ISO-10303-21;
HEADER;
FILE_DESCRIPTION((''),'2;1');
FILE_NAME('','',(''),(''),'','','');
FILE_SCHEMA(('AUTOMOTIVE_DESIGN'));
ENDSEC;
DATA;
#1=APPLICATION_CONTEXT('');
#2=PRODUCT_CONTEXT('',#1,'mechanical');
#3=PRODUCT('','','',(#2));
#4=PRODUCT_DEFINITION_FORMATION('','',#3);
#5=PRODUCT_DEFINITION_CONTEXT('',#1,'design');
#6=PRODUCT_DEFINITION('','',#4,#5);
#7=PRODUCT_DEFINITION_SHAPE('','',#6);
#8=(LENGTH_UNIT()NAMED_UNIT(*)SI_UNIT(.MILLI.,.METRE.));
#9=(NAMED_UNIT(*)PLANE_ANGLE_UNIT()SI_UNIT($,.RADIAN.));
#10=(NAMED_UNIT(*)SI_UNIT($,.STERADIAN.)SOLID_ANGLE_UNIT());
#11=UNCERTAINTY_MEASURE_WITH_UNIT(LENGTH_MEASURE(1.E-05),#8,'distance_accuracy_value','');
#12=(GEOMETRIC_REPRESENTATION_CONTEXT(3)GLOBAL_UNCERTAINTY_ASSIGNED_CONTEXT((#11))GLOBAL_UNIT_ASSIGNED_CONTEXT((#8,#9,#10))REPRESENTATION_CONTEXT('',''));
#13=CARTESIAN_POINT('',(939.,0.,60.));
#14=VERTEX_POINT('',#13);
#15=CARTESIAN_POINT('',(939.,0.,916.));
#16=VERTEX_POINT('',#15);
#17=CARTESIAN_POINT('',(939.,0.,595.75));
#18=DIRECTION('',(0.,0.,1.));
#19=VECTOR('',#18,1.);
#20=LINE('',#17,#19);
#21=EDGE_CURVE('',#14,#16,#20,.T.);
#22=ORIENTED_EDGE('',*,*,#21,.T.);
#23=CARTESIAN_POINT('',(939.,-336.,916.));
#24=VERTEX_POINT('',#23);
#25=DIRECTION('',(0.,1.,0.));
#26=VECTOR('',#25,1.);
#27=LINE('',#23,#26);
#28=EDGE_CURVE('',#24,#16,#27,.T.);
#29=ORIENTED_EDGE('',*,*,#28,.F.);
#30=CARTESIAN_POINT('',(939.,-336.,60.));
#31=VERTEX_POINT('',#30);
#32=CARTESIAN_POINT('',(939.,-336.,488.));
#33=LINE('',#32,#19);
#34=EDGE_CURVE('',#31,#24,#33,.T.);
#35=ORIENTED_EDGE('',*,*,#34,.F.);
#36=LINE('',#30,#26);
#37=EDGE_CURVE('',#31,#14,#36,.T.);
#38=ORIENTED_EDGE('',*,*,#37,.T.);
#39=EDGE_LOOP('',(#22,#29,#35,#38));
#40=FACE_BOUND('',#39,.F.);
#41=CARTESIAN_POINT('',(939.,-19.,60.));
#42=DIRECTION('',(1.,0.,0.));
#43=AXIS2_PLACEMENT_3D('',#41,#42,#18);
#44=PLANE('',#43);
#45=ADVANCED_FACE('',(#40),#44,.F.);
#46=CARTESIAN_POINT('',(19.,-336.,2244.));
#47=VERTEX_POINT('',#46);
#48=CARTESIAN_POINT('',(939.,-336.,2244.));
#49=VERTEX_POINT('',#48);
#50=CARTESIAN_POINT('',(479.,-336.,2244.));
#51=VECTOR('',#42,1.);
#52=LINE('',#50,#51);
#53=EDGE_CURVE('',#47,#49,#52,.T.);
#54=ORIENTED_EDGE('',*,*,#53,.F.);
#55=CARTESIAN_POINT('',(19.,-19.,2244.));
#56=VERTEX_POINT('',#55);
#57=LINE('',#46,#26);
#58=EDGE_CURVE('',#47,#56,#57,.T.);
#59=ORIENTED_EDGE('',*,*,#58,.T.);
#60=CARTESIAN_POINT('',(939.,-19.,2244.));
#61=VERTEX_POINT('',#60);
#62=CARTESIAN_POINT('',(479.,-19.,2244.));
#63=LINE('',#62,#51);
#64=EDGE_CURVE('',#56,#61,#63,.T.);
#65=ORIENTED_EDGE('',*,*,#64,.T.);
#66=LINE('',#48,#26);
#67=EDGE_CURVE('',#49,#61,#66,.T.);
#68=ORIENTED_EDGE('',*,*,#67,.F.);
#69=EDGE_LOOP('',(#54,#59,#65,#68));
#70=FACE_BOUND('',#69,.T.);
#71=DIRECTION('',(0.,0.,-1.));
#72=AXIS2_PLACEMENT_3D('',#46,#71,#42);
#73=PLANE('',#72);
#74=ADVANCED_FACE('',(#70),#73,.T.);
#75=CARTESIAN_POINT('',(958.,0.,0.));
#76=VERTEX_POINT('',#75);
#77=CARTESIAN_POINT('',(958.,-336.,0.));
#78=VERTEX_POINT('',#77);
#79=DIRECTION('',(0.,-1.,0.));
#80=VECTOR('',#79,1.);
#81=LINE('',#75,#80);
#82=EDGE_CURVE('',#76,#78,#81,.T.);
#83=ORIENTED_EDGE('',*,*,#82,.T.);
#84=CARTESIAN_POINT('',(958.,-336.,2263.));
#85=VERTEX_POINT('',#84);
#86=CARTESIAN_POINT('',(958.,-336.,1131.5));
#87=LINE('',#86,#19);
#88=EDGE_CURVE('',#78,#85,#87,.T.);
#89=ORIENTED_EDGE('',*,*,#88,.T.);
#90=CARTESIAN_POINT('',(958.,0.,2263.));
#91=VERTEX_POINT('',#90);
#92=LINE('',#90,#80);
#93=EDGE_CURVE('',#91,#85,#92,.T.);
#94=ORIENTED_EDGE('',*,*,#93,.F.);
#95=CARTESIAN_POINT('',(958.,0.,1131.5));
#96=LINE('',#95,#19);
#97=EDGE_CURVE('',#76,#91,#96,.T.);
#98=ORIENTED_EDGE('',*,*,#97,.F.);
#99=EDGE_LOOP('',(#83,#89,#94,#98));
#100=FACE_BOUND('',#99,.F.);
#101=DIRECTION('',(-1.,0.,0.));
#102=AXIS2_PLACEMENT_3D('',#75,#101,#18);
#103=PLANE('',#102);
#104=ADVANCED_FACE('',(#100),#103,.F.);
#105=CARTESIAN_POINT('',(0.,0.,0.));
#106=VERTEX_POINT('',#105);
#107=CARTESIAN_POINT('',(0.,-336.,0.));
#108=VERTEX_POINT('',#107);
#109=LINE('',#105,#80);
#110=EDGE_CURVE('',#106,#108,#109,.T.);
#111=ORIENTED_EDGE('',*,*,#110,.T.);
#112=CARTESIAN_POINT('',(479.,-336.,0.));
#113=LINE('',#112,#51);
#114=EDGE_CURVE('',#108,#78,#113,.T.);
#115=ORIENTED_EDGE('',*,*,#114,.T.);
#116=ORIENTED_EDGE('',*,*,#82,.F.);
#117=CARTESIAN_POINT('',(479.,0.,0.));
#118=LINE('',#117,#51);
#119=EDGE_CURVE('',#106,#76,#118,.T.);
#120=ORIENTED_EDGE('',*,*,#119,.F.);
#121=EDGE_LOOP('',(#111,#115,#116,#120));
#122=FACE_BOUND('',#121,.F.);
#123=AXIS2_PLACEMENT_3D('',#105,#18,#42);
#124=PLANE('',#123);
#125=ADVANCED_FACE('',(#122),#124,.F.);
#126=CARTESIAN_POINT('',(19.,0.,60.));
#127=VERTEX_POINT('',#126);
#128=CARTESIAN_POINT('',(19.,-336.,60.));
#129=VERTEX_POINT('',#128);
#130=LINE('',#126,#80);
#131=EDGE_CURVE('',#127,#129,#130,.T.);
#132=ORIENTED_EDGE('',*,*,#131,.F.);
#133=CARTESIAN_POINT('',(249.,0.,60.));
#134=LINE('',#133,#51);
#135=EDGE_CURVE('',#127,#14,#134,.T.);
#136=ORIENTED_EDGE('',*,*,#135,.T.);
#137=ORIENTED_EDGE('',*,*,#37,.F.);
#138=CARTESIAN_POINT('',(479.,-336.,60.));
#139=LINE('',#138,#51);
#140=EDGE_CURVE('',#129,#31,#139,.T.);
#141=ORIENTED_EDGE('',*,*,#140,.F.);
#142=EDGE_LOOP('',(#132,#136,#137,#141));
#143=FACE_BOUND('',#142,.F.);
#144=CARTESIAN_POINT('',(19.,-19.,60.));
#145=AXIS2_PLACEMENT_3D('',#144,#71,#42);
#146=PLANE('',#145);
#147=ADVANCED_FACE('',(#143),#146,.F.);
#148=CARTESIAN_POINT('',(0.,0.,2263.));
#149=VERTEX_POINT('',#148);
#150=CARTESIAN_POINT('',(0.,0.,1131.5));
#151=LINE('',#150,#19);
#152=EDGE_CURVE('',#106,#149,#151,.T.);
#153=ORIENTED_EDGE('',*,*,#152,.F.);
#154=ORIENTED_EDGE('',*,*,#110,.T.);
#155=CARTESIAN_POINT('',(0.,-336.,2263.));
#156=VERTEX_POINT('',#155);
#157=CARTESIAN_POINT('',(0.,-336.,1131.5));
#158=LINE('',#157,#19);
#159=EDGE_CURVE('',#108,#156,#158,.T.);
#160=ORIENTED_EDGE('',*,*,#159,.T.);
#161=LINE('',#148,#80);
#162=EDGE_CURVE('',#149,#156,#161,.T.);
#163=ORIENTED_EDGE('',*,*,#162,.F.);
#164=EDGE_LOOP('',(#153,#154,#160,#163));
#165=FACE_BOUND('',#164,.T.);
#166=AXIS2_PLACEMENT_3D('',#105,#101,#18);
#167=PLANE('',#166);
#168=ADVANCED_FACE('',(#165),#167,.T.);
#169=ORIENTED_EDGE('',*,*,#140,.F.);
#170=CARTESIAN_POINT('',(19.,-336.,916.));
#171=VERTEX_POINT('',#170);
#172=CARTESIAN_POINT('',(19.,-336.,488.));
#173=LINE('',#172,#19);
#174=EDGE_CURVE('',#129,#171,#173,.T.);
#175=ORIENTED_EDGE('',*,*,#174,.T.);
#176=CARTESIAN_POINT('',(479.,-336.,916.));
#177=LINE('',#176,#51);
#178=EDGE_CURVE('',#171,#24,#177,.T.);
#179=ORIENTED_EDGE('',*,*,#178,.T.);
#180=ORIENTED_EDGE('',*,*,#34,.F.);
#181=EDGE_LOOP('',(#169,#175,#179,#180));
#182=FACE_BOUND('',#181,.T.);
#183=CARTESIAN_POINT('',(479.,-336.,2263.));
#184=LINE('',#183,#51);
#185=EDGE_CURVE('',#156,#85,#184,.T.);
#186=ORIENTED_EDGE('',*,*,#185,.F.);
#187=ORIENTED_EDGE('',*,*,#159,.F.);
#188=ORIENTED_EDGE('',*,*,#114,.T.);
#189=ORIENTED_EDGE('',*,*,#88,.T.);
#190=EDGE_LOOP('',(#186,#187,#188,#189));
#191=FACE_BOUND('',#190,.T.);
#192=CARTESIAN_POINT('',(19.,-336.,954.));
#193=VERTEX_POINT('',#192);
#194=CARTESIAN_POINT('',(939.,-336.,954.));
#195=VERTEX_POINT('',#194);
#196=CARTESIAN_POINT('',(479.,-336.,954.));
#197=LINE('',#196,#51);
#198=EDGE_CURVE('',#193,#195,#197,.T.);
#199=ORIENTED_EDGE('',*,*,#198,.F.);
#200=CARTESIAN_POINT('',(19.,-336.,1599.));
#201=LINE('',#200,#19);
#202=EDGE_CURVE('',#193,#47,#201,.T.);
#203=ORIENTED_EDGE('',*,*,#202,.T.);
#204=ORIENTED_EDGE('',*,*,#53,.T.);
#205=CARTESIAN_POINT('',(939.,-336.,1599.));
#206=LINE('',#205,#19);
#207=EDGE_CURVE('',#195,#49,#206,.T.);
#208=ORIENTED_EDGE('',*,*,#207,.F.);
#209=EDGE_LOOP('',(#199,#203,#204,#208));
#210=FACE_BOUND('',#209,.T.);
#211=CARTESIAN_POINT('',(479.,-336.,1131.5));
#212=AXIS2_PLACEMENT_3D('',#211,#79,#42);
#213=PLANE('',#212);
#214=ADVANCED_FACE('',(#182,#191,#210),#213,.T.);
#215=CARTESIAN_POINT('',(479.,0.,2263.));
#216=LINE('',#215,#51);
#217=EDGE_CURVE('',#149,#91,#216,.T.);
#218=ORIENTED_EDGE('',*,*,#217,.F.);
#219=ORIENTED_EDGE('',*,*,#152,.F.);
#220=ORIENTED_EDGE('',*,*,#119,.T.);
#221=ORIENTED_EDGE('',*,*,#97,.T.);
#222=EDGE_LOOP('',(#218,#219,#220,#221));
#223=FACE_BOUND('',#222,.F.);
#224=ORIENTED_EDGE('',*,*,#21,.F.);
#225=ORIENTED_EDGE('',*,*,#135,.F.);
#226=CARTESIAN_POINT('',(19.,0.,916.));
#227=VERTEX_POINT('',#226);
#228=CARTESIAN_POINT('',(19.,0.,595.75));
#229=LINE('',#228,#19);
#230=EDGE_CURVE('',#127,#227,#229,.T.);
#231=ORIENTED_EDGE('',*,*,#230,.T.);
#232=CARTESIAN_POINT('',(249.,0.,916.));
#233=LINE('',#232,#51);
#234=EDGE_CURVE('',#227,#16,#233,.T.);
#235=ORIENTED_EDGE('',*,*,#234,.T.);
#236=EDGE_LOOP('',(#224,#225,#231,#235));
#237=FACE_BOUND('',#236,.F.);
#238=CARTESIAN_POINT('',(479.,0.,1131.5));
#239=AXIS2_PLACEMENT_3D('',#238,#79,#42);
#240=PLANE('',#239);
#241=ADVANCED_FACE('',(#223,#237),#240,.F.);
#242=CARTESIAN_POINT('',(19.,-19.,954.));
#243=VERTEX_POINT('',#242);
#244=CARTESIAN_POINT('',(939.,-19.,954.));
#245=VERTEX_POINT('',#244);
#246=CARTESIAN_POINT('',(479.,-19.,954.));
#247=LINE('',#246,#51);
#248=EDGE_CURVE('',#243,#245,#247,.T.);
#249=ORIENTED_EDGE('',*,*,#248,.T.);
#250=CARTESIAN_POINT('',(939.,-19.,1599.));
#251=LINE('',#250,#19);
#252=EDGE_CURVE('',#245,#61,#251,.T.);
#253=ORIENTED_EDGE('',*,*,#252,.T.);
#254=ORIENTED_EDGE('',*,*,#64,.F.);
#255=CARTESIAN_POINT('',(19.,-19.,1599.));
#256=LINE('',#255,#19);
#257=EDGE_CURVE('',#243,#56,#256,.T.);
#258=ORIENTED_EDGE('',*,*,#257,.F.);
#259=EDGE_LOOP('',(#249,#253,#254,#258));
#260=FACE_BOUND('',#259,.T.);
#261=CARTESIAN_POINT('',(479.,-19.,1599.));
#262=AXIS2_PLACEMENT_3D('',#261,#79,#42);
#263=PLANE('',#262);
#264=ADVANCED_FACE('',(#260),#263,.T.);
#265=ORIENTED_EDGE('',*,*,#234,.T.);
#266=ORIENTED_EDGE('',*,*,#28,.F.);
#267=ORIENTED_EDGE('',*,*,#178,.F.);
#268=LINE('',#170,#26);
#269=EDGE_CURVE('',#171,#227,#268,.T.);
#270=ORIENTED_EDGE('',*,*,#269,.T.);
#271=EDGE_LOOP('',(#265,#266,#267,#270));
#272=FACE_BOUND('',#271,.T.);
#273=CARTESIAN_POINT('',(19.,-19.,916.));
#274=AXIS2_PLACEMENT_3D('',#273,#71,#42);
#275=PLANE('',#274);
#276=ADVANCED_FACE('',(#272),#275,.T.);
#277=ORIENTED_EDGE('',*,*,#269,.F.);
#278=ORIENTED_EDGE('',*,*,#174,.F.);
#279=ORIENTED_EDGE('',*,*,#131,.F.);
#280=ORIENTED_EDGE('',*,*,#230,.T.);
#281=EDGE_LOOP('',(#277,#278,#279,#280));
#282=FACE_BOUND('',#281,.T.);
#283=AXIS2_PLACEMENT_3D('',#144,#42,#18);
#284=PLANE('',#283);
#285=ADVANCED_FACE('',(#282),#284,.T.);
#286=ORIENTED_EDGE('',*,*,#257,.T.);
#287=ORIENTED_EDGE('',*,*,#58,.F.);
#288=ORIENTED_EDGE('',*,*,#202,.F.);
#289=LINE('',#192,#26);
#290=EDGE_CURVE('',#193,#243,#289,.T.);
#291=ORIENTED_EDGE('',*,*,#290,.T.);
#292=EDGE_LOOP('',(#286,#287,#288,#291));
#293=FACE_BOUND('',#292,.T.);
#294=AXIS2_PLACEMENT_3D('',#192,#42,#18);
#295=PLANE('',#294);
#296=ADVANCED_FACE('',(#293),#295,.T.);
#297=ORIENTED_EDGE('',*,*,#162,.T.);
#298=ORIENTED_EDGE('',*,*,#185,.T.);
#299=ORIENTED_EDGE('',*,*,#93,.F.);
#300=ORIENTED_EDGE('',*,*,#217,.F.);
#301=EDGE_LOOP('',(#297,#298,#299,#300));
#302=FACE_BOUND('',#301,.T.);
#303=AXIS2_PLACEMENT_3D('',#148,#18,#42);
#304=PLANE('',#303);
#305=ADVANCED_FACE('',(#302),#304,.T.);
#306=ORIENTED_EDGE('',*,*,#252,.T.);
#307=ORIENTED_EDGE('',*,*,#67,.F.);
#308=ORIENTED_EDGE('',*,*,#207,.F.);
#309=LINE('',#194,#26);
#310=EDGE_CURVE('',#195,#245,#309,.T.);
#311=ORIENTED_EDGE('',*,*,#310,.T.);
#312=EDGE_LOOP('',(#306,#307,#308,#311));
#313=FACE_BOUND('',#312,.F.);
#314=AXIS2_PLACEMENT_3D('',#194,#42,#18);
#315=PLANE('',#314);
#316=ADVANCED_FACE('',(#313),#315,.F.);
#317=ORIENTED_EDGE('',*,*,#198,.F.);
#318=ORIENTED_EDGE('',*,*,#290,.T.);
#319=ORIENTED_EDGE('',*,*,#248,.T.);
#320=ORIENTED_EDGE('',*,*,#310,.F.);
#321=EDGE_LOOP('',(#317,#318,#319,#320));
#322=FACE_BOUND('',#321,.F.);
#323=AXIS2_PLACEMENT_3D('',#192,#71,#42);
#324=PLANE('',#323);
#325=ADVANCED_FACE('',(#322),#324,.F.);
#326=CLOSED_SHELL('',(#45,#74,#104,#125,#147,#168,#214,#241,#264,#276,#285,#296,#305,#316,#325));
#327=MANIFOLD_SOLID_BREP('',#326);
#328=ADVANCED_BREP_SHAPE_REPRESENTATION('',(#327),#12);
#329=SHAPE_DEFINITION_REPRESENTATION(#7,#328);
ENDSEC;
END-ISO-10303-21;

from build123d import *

# Parameters (mm, degrees)
F0_W      = 958
F0_H      = 2263
F1_DEPTH  = 336
F2_W      = 920
F2_H      = 856
F2_H_2    = 1290
F3_DEPTH  = 317
F3_FACE_W = 920
F3_FACE_H = 856
F4_DEPTH  = 25


with BuildPart() as f1:
    # F0 (on Front) → F1 (new body)
    with BuildSketch(Plane.XZ):
        with Locations((479, 1131.5)):
            Rectangle(F0_W, F0_H)
    extrude(amount=F1_DEPTH)

    # F2 (on face) → F3 (cut)
    with BuildSketch(Plane.XZ.offset(336)):
        with Locations((479, 488)):
            Rectangle(F2_W, F2_H)
        with Locations((479, 1599)):
            Rectangle(F2_W, F2_H_2)
    extrude(amount=-F3_DEPTH, mode=Mode.SUBTRACT)

    # F3_face (on face) → F4 (cut)
    with BuildSketch(Plane(origin=(479, -19, 488), x_dir=(1, 0, 0), z_dir=(0, -1, 0))):
        Rectangle(F3_FACE_W, F3_FACE_H)
    extrude(amount=-F4_DEPTH, mode=Mode.SUBTRACT)


solid = f1.part
